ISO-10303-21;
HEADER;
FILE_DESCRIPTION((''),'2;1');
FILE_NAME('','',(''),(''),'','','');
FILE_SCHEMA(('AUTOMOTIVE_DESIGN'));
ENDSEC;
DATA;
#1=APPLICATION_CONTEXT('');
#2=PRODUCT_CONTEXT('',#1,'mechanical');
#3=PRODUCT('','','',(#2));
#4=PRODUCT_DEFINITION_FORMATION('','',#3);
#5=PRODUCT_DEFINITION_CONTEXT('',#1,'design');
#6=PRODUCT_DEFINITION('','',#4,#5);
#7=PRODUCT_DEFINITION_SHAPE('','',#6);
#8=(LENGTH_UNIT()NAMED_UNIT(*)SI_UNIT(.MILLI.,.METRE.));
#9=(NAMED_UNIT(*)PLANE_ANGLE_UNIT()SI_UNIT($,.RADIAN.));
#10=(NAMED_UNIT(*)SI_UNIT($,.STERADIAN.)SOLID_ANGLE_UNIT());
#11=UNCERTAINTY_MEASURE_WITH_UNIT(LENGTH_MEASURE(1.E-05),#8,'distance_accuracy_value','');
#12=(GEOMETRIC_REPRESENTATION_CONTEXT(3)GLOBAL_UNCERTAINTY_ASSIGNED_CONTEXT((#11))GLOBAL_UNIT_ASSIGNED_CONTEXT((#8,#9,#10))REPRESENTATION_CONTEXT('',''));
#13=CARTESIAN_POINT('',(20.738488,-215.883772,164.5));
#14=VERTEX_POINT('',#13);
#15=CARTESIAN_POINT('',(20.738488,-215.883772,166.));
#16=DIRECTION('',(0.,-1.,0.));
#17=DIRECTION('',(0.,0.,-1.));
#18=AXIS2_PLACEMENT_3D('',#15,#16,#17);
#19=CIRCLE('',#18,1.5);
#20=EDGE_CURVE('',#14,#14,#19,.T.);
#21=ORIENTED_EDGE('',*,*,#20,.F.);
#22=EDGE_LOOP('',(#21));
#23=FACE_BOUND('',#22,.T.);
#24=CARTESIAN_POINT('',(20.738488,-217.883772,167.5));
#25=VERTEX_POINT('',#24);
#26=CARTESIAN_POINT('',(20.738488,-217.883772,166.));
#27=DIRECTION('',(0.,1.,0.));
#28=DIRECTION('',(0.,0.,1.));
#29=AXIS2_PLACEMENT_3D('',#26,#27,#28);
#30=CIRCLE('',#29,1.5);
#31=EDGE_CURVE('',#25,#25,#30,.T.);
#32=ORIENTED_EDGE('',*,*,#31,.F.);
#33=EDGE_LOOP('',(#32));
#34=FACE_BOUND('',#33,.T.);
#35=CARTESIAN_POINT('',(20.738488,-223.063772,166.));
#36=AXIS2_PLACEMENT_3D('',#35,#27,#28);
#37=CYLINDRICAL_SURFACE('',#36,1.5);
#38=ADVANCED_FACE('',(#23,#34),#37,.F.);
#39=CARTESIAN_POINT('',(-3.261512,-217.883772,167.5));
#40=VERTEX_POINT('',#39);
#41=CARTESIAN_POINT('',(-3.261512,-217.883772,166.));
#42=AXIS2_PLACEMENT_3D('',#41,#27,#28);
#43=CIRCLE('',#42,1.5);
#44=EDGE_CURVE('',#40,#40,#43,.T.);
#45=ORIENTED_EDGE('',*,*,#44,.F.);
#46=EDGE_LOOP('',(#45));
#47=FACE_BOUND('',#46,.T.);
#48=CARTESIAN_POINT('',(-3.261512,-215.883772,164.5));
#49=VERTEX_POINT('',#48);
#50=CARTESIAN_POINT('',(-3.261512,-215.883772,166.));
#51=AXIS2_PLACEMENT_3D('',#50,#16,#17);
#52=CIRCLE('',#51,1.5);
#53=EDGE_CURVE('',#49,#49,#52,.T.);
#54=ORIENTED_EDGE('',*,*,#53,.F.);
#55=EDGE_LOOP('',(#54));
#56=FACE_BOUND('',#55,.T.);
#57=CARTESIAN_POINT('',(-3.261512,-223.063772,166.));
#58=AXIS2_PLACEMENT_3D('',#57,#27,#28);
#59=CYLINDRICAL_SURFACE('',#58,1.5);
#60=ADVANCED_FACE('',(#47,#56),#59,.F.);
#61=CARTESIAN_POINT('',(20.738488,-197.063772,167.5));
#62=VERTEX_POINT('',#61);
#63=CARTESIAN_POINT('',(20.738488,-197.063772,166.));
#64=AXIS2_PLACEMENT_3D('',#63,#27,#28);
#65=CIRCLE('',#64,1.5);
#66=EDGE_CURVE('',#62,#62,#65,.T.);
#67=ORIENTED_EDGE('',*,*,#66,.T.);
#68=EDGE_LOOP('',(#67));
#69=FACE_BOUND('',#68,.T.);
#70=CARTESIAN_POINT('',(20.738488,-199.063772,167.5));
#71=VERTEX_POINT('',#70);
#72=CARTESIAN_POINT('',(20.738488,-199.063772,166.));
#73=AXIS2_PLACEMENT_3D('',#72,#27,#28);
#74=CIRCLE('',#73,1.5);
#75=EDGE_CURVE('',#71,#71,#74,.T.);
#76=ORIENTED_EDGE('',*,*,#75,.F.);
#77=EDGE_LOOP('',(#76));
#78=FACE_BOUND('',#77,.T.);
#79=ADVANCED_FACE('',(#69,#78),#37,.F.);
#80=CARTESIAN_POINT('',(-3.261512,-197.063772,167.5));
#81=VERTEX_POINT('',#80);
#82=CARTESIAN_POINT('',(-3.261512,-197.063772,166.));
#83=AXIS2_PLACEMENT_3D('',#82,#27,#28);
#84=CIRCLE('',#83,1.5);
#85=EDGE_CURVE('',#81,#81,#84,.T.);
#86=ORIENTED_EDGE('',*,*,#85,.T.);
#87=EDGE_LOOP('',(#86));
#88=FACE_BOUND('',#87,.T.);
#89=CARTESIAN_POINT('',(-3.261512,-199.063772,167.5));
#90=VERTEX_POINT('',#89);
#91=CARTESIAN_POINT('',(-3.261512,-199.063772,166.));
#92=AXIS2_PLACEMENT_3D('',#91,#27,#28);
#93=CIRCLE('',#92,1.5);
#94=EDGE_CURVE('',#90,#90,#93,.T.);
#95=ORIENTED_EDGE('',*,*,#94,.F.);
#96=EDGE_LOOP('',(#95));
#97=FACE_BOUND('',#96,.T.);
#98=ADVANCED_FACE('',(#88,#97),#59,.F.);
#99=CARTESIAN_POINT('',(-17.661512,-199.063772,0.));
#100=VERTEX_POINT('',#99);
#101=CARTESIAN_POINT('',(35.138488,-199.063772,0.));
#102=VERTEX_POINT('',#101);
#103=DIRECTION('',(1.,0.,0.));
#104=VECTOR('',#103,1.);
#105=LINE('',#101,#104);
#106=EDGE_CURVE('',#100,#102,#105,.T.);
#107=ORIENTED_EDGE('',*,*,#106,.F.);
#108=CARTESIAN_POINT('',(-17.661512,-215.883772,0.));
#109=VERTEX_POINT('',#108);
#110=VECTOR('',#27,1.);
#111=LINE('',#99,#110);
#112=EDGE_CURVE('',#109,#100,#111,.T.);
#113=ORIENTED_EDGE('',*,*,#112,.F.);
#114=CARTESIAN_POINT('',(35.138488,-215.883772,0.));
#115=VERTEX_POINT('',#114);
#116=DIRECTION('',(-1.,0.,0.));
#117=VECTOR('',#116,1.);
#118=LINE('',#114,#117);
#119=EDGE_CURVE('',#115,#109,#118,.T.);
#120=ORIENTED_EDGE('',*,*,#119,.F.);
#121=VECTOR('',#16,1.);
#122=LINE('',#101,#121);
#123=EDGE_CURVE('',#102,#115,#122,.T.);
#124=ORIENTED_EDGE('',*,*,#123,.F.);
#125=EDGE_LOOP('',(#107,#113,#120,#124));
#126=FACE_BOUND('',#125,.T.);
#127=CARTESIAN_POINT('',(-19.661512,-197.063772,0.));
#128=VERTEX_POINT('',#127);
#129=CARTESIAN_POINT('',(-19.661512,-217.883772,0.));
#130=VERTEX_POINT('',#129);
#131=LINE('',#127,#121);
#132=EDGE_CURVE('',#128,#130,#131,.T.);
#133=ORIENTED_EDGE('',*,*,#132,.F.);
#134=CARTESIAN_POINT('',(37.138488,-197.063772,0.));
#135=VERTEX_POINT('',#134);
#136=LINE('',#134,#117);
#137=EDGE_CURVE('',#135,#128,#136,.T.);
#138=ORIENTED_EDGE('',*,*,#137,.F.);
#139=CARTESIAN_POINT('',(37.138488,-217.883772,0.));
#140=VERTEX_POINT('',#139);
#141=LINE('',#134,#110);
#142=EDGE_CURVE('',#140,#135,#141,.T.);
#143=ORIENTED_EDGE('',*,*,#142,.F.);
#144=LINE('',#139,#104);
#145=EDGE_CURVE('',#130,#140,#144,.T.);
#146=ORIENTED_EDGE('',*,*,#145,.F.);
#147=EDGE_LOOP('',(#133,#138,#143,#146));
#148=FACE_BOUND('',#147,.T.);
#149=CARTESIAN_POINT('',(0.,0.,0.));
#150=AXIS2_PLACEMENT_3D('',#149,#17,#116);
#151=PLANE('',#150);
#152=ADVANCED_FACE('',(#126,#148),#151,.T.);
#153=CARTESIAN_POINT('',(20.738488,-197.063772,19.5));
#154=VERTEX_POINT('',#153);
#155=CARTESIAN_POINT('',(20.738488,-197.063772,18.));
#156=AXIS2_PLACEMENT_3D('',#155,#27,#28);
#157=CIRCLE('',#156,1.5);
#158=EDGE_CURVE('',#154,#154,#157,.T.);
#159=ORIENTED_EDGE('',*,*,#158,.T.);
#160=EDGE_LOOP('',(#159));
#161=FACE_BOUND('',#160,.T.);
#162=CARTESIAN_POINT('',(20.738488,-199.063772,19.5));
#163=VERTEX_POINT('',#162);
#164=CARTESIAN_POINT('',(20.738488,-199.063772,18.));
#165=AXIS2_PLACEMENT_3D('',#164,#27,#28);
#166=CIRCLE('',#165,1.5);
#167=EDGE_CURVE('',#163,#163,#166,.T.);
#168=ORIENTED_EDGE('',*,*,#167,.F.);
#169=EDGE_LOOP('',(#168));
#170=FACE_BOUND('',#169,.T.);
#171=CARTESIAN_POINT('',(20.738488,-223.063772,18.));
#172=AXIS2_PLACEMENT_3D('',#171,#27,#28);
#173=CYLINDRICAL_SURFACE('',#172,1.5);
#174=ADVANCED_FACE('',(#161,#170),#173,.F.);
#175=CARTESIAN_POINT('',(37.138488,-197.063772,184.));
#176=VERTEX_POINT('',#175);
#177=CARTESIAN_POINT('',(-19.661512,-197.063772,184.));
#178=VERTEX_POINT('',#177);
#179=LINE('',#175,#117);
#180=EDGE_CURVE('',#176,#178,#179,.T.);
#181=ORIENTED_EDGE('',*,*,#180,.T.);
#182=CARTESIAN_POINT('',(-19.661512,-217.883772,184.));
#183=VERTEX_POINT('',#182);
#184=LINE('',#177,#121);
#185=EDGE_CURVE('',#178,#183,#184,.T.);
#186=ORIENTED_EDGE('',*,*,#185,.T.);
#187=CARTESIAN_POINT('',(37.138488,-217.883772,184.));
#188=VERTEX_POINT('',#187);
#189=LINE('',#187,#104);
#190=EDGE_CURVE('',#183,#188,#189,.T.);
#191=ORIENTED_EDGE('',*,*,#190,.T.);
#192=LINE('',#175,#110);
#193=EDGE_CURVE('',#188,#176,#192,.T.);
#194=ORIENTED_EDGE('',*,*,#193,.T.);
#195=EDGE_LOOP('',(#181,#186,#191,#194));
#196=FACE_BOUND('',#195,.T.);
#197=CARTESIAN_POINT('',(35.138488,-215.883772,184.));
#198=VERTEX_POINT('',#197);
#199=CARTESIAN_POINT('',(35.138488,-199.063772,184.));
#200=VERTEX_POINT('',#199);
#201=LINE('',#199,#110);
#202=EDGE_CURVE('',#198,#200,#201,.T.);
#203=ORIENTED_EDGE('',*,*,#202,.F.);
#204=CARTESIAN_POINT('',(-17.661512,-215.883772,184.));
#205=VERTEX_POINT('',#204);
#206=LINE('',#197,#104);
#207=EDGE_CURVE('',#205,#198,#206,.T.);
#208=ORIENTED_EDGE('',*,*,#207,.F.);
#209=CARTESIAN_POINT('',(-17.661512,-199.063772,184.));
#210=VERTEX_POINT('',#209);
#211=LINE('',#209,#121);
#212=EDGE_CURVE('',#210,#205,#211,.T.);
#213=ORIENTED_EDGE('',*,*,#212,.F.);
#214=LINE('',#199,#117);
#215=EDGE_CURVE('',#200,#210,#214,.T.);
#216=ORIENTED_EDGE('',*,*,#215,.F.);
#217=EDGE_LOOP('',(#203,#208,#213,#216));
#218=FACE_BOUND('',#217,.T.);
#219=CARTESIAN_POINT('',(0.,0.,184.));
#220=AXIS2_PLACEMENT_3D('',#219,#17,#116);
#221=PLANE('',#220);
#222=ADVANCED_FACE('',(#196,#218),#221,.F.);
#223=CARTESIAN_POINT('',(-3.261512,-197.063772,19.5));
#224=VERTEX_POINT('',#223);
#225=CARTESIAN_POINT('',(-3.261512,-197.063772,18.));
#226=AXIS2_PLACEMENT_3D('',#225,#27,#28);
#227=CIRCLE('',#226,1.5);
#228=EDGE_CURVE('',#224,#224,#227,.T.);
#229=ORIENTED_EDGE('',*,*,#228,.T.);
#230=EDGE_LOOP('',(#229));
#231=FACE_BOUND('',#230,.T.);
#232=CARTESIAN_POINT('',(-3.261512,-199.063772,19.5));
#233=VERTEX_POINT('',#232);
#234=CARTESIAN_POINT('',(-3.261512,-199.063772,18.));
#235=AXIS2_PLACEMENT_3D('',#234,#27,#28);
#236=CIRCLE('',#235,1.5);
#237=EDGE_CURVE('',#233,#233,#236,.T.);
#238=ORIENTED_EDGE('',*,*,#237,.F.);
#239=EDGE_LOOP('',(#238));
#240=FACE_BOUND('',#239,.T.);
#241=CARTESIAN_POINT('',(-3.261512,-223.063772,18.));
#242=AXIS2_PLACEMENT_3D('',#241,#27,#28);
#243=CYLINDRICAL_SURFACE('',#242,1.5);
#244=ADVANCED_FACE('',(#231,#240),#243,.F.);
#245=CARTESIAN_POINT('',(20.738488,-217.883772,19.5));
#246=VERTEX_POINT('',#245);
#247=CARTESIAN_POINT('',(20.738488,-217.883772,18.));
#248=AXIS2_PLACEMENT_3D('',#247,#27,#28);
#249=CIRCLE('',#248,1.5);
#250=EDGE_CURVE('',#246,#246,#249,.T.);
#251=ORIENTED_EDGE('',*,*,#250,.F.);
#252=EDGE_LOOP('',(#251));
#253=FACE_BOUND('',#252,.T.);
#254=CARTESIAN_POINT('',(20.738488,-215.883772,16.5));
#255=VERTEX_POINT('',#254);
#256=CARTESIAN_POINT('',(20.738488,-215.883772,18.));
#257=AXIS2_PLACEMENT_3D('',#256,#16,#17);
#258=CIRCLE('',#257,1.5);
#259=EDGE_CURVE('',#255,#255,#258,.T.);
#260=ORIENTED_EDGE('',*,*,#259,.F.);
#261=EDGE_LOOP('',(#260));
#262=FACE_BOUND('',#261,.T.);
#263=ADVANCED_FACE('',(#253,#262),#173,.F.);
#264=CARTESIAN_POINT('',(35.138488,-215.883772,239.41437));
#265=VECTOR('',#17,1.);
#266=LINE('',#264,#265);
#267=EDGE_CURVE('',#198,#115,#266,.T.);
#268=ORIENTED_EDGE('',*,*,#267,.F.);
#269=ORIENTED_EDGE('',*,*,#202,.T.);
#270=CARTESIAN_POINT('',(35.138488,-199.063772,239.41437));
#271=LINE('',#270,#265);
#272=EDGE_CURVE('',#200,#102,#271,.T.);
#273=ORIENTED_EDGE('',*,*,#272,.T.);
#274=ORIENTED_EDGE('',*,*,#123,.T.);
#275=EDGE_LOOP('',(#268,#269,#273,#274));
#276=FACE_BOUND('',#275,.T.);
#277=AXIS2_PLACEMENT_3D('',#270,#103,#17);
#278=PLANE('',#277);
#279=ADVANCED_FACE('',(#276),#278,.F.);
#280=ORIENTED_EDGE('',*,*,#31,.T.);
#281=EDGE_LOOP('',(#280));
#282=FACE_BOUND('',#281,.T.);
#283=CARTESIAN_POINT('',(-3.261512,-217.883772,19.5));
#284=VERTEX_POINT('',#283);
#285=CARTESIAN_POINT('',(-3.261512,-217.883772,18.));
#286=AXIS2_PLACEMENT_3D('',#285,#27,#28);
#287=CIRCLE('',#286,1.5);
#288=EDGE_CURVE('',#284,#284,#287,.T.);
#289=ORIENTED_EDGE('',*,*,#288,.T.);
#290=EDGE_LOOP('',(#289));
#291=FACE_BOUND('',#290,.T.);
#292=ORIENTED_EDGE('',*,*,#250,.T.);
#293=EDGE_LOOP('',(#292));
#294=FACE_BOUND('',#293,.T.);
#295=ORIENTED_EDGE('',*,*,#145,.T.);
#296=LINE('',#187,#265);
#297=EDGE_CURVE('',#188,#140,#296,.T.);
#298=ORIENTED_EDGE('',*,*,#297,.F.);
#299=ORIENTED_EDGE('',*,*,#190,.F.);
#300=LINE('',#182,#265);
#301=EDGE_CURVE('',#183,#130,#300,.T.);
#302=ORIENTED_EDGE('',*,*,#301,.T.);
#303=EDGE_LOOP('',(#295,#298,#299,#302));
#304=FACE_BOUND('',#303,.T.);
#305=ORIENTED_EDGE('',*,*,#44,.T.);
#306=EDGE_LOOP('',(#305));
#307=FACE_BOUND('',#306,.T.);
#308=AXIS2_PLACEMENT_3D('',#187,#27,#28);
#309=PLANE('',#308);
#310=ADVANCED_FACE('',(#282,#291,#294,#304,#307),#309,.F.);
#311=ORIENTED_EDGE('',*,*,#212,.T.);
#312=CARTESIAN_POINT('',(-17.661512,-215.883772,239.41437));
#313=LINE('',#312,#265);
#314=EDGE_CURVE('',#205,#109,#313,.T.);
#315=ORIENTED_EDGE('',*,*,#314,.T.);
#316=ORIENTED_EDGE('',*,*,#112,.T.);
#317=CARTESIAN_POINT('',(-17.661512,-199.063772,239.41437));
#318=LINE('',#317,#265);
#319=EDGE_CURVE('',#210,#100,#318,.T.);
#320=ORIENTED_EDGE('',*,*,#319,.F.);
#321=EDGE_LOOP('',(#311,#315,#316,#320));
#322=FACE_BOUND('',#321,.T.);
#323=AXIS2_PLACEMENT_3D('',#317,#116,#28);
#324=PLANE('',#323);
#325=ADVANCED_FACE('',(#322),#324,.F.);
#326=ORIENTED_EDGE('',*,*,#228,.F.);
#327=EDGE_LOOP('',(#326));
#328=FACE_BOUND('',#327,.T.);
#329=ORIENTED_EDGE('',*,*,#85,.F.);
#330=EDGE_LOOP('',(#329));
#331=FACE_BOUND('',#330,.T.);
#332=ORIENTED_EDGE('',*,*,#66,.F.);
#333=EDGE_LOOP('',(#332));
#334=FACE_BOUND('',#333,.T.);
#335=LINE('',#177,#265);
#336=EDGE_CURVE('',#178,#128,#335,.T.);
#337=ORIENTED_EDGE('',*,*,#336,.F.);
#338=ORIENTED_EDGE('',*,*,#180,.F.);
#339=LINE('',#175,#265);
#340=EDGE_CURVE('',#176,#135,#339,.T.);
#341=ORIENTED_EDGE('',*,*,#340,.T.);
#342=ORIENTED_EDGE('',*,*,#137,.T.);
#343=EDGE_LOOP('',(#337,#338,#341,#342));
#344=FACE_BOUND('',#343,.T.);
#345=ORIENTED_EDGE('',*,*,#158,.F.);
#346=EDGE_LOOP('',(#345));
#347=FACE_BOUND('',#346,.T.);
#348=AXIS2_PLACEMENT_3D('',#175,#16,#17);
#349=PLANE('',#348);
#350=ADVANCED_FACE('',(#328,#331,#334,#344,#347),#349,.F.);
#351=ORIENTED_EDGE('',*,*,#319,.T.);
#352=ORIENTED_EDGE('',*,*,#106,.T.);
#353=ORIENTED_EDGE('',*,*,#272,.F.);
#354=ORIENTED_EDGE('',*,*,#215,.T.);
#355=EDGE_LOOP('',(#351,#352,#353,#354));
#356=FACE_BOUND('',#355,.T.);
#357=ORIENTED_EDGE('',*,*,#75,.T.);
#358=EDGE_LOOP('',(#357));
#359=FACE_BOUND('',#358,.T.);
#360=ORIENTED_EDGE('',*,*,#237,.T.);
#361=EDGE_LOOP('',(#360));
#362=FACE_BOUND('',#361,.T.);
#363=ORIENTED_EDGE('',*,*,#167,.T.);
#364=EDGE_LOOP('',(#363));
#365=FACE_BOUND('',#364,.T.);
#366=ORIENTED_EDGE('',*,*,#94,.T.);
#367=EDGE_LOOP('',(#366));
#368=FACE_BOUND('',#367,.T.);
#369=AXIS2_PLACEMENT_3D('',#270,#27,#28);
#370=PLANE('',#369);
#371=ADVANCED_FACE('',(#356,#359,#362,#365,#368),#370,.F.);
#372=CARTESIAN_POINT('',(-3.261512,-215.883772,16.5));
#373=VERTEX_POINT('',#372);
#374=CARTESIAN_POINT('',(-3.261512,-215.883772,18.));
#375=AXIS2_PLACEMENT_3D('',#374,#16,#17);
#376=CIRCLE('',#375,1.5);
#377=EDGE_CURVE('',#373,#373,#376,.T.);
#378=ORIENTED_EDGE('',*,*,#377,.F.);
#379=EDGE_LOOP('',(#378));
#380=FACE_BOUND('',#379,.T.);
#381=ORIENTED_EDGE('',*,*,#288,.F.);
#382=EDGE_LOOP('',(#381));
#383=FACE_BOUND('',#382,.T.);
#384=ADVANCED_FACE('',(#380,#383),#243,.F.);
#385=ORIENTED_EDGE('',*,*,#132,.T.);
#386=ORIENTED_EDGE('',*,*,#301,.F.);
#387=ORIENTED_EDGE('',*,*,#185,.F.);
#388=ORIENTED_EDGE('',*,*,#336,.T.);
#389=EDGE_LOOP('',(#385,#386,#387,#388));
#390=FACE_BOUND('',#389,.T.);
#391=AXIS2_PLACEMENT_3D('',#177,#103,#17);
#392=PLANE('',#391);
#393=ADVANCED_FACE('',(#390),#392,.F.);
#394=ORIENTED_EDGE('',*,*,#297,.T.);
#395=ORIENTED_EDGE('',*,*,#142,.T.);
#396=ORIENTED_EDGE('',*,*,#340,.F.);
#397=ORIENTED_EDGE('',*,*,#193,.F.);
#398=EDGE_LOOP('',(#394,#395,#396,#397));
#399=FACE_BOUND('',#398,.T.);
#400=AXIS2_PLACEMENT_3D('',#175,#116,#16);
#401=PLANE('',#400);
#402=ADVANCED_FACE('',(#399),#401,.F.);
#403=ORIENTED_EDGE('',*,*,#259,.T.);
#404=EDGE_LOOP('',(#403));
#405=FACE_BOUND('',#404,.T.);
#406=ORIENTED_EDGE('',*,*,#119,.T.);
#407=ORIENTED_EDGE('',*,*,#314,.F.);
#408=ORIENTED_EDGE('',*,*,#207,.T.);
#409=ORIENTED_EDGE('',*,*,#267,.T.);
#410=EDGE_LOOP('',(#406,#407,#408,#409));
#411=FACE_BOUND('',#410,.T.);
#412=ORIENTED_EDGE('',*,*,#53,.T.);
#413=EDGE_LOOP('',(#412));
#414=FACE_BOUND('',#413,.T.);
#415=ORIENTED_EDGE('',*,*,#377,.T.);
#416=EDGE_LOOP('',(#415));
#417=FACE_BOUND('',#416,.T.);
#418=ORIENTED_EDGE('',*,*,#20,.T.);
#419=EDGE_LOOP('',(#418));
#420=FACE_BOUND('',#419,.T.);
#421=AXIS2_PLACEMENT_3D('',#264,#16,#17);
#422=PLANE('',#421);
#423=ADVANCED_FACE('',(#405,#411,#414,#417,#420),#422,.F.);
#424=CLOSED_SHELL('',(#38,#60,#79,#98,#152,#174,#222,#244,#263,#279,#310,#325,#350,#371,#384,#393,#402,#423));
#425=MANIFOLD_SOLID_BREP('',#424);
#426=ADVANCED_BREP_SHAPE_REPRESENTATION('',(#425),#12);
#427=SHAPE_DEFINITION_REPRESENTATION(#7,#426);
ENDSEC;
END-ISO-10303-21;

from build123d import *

# Parameters (mm, degrees)
CROQUIS1_W              = 56.8
CROQUIS1_H              = 20.82
SALIENTE_EXTRUIR1_DEPTH = 184
CROQUIS5_W              = 52.8
CROQUIS5_H              = 16.82
CORTAR_EXTRUIR5_DEPTH   = 184
CROQUIS6_R              = 1.5
CORTAR_EXTRUIR6_DEPTH   = 26


with BuildPart() as part:
    # Croquis1 → Saliente-Extruir1 (new body)
    with BuildSketch(Plane.XY):
        with Locations((8.738488477, -207.47377213)):
            Rectangle(CROQUIS1_W, CROQUIS1_H)
    extrude(amount=SALIENTE_EXTRUIR1_DEPTH)

    # Croquis5 → Cortar-Extruir5 (cut)
    with BuildSketch(Plane(origin=(0, 0, 0), x_dir=(-1, 0, 0), z_dir=(0, 0, -1))):
        with Locations((-8.738488477, -207.47377213)):
            Rectangle(CROQUIS5_W, CROQUIS5_H)
    extrude(amount=-CORTAR_EXTRUIR5_DEPTH, mode=Mode.SUBTRACT)

    # Croquis6 → Cortar-Extruir6 (cut)
    with BuildSketch(Plane(origin=(0, -197.06377213, 0), x_dir=(1, 0, 0), z_dir=(0, 1, 0))):
        with Locations((-3.261511523, -18)):
            Circle(CROQUIS6_R)
        with Locations((20.738488477, -18)):
            Circle(CROQUIS6_R)
        with Locations((-3.261511523, -166)):
            Circle(CROQUIS6_R)
        with Locations((20.738488477, -166)):
            Circle(CROQUIS6_R)
    extrude(amount=-CORTAR_EXTRUIR6_DEPTH, mode=Mode.SUBTRACT)


solid = part.part
